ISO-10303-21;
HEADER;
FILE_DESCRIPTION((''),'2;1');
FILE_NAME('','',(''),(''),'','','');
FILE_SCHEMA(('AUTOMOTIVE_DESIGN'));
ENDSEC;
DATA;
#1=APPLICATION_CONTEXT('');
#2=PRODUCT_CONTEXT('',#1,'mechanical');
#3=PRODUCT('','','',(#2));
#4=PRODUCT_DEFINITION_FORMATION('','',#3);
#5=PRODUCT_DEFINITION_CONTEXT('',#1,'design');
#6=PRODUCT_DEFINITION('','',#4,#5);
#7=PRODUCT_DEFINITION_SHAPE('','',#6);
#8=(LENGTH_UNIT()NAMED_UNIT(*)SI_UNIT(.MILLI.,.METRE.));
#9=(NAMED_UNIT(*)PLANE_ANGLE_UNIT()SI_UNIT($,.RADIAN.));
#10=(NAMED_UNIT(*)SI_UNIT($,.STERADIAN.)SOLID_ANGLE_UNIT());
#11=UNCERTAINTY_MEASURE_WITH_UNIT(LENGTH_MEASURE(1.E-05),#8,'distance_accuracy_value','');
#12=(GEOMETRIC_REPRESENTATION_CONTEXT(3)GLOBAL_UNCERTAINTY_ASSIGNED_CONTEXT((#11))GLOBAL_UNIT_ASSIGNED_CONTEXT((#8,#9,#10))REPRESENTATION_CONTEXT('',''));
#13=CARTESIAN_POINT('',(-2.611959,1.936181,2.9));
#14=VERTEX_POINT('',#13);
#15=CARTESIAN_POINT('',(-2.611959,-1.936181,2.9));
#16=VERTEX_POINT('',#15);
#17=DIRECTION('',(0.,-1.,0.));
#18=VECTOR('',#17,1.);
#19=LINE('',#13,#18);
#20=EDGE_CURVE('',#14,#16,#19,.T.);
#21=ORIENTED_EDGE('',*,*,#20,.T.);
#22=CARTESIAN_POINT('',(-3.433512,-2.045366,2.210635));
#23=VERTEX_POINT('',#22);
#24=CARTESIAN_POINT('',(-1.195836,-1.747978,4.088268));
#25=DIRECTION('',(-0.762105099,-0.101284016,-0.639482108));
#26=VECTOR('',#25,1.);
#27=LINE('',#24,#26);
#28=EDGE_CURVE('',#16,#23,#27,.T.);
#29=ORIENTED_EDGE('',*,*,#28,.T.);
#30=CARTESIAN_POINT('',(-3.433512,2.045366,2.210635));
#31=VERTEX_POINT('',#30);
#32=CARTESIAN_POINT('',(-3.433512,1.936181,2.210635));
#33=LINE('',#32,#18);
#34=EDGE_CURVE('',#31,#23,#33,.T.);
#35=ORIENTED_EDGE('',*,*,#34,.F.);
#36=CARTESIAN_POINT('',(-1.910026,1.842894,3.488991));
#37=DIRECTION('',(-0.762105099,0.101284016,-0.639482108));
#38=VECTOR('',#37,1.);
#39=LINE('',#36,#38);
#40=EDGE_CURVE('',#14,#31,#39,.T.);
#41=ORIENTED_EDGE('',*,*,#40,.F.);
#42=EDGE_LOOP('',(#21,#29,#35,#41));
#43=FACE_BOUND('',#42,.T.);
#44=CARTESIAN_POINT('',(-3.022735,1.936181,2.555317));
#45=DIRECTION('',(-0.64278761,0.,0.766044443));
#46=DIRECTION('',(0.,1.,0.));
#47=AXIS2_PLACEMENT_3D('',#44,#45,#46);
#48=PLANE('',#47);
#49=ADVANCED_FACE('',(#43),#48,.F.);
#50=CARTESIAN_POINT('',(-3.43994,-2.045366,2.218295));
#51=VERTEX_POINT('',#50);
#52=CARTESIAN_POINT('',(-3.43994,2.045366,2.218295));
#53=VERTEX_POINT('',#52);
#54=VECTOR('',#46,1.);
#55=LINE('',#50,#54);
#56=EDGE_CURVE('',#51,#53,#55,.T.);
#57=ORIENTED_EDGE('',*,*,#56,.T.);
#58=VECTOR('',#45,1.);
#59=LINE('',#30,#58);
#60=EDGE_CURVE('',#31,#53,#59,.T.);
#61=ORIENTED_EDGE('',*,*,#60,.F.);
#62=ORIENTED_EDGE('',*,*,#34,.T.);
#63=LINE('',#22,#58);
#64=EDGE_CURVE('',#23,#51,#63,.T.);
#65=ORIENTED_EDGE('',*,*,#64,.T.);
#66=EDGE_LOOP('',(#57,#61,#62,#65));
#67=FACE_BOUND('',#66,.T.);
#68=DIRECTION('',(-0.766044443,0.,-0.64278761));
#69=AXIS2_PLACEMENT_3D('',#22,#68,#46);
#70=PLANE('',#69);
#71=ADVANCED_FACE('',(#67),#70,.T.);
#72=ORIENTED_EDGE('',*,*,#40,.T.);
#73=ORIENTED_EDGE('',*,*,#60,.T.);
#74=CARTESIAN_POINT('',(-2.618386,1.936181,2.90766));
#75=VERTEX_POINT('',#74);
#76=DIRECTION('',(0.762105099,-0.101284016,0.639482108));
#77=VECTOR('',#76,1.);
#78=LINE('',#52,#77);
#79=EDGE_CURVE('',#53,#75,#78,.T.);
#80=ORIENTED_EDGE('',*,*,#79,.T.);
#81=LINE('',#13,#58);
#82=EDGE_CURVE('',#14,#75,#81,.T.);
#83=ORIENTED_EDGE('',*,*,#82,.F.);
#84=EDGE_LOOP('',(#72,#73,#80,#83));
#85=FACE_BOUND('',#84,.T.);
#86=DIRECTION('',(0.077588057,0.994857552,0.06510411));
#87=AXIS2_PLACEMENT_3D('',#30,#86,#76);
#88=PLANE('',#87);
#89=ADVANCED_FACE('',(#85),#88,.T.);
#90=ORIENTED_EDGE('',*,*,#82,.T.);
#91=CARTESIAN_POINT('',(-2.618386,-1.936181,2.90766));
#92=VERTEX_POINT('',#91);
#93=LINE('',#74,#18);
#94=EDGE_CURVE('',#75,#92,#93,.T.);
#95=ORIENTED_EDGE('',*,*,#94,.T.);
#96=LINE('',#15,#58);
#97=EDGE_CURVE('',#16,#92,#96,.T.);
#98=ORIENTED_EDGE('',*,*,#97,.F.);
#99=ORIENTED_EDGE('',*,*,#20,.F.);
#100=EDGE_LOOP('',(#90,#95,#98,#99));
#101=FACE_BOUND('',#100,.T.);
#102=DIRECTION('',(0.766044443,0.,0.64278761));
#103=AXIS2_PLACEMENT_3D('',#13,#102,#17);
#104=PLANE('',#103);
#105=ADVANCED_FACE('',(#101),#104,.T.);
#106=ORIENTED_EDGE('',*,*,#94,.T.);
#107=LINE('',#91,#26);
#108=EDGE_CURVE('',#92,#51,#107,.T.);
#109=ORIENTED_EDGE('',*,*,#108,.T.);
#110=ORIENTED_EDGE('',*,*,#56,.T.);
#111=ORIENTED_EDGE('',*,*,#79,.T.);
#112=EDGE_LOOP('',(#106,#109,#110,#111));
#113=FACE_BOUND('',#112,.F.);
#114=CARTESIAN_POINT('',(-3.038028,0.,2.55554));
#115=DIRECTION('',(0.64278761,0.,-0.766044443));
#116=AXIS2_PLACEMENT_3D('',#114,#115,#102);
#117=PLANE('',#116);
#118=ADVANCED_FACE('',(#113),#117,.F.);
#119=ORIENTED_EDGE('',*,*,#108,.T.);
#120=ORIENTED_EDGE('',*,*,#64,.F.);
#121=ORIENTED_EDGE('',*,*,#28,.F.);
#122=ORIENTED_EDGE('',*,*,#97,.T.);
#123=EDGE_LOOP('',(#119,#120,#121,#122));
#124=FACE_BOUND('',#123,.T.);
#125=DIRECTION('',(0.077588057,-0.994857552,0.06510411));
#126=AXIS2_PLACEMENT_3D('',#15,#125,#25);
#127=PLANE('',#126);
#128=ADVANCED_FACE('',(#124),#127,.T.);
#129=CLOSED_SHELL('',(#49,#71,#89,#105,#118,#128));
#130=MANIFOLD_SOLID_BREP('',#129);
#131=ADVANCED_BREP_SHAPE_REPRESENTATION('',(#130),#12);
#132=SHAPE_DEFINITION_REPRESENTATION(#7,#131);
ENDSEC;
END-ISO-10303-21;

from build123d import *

# Parameters (mm, degrees)
PAD_DEPTH       = 2.15
POCKET_DEPTH    = 10
POCKET001_DEPTH = 12.5
CHAMFER_SIZE    = 0.7
PAD001_DEPTH    = 0.01


with BuildPart() as chamfer_body:
    # Sketch → Pad (new body, symmetric)
    with BuildSketch(Plane.XZ):
        Polygon((-3.311958576, 2.9), (3.311958576, 2.9), (3.55, 1.55), (3.311958576, 0.2), (2.1, 0.2), (2.1, 0), (-2.1, 0), (-2.1, 0.2), (-3.311958576, 0.2), (-3.55, 1.55), align=None)
    extrude(amount=PAD_DEPTH, both=True)

    # Sketch001 → Pocket (cut, symmetric)
    with BuildSketch(Plane(origin=(2.1, 0, 0), x_dir=(0, 0, 1), z_dir=(1, 0, 0))):
        Polygon((2.9220926693, 2.229851), (3.3067026402, 1.8717656945), (1.045841, 2.229851), align=None)
        Polygon((3.3067026402, -1.8717656945), (2.9220926693, -2.229851), (1.045841, -2.229851), align=None)
    extrude(amount=POCKET_DEPTH, both=True, mode=Mode.SUBTRACT)

    # Sketch002 → Pocket001 (cut, symmetric)
    with BuildSketch(Plane(origin=(2.1, 0, 0), x_dir=(0, 0, 1), z_dir=(1, 0, 0))):
        Polygon((2.1937543082, 2.2519614985), (-0.4776096389, 2.2519614985), (-0.6097972306, 1.8079225571), align=None)
        Polygon((2.1937543082, -2.2519614985), (-0.4776096389, -2.2519614985), (-0.6097972306, -1.8079225571), align=None)
    extrude(amount=POCKET001_DEPTH, both=True, mode=Mode.SUBTRACT)

    # Chamfer
    chamfer_edges = [chamfer_body.edges().sort_by_distance(p)[0] for p in [
        (-3.311959, 0, 2.9),
    ]]
    chamfer(chamfer_edges, length=CHAMFER_SIZE)


with BuildPart() as cut:
    # Pad001 base: copy of Chamfer body
    add(chamfer_body.part)

    # Sketch010 → Pad001 (new body)
    with BuildSketch(Plane(origin=(-2.5071696065, 0, 2.9879283857), x_dir=(-0.7660444431, 0, -0.6427876097), z_dir=(-0.6427876097, 0, 0.7660444431))):
        Polygon((0.1367922847, 1.9361810645), (1.2092545051, 2.0453658219), (1.2092545051, -2.0453658219), (0.1367922847, -1.9361810645), align=None)
    extrude(amount=PAD001_DEPTH)

    # Cut: cut Chamfer body
    add(chamfer_body.part, mode=Mode.SUBTRACT)


solid = cut.part
